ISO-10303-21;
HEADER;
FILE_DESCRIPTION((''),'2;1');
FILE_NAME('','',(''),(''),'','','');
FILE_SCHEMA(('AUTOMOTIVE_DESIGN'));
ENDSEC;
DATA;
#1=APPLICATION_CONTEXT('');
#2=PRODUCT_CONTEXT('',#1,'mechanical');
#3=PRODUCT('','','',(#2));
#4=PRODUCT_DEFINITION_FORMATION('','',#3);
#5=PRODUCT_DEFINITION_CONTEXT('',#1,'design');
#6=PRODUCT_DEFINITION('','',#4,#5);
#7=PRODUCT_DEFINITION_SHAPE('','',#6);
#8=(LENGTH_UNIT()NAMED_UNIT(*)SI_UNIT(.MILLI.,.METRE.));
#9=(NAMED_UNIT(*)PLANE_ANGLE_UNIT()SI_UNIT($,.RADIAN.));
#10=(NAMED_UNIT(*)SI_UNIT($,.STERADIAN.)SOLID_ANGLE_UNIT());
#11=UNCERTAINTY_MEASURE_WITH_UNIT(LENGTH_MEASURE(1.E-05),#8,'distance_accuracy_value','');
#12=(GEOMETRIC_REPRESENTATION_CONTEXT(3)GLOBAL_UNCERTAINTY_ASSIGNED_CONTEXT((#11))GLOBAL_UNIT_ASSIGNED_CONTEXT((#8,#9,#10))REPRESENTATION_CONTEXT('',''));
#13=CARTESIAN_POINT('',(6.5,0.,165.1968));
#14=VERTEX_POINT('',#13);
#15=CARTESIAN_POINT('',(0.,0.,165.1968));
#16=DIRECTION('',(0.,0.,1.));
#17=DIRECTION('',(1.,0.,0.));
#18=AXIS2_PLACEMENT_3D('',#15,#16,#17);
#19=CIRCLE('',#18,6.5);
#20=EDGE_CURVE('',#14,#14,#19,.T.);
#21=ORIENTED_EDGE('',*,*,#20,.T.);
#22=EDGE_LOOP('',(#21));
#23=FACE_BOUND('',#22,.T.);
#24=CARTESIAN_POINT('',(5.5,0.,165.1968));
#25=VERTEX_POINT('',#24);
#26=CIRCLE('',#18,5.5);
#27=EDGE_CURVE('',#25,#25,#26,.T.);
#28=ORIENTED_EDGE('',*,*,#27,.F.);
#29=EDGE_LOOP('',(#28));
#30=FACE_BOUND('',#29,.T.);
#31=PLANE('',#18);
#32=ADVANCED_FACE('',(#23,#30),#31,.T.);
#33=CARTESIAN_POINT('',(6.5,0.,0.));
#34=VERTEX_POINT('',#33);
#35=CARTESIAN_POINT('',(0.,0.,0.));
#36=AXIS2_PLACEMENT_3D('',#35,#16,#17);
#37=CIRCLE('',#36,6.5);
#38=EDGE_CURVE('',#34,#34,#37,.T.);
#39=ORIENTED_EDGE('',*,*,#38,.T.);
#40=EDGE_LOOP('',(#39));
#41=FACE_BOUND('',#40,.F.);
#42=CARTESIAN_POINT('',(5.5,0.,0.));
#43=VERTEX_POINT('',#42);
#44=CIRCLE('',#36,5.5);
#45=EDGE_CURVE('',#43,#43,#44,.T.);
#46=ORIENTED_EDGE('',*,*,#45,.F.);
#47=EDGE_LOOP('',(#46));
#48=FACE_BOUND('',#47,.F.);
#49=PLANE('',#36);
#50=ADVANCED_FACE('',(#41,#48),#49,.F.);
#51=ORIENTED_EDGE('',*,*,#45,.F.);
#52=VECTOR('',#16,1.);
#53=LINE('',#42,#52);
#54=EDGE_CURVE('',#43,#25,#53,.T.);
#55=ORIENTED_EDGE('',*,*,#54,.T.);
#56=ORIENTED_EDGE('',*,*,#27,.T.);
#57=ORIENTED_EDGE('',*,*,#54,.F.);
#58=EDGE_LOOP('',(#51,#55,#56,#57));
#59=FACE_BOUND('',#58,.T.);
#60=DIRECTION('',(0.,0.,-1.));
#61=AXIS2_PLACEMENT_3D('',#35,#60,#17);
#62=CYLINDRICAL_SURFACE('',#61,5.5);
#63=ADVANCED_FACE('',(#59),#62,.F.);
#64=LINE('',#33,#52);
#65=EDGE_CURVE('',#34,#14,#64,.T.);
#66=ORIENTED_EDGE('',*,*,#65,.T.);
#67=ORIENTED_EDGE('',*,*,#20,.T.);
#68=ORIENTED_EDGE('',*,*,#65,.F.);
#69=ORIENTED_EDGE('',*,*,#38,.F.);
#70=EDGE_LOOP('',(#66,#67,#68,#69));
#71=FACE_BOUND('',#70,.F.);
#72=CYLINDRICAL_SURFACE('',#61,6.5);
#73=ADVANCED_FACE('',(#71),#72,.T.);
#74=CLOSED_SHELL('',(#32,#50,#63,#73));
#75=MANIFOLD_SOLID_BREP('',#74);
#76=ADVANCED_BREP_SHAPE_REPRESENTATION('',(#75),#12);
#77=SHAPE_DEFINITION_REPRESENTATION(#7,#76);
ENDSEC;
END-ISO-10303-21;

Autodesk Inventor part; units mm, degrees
ref_plane "YZ Plane" through (0, 0, 0) normal (1, 0, 0) x (0, 1, 0)
ref_plane "XZ Plane" through (0, 0, 0) normal (0, 1, 0) x (-1, 0, 0)
ref_plane "XY Plane" through (0, 0, 0) normal (0, 0, 1) x (1, 0, 0)
sketch "Sketch1" plane through (0, 0, 0) normal (0, 0, 1) x (1, 0, 0)
  circle A0 centre (0, 0) radius 5.5
  circle A1 centre (0, 0) radius 6.5
  dimension "d0" = 11
  dimension "d1" = 13
extrude "Extrusion1" add sketch "Sketch1" along normal blind 165.1968
properties part number "tube"
